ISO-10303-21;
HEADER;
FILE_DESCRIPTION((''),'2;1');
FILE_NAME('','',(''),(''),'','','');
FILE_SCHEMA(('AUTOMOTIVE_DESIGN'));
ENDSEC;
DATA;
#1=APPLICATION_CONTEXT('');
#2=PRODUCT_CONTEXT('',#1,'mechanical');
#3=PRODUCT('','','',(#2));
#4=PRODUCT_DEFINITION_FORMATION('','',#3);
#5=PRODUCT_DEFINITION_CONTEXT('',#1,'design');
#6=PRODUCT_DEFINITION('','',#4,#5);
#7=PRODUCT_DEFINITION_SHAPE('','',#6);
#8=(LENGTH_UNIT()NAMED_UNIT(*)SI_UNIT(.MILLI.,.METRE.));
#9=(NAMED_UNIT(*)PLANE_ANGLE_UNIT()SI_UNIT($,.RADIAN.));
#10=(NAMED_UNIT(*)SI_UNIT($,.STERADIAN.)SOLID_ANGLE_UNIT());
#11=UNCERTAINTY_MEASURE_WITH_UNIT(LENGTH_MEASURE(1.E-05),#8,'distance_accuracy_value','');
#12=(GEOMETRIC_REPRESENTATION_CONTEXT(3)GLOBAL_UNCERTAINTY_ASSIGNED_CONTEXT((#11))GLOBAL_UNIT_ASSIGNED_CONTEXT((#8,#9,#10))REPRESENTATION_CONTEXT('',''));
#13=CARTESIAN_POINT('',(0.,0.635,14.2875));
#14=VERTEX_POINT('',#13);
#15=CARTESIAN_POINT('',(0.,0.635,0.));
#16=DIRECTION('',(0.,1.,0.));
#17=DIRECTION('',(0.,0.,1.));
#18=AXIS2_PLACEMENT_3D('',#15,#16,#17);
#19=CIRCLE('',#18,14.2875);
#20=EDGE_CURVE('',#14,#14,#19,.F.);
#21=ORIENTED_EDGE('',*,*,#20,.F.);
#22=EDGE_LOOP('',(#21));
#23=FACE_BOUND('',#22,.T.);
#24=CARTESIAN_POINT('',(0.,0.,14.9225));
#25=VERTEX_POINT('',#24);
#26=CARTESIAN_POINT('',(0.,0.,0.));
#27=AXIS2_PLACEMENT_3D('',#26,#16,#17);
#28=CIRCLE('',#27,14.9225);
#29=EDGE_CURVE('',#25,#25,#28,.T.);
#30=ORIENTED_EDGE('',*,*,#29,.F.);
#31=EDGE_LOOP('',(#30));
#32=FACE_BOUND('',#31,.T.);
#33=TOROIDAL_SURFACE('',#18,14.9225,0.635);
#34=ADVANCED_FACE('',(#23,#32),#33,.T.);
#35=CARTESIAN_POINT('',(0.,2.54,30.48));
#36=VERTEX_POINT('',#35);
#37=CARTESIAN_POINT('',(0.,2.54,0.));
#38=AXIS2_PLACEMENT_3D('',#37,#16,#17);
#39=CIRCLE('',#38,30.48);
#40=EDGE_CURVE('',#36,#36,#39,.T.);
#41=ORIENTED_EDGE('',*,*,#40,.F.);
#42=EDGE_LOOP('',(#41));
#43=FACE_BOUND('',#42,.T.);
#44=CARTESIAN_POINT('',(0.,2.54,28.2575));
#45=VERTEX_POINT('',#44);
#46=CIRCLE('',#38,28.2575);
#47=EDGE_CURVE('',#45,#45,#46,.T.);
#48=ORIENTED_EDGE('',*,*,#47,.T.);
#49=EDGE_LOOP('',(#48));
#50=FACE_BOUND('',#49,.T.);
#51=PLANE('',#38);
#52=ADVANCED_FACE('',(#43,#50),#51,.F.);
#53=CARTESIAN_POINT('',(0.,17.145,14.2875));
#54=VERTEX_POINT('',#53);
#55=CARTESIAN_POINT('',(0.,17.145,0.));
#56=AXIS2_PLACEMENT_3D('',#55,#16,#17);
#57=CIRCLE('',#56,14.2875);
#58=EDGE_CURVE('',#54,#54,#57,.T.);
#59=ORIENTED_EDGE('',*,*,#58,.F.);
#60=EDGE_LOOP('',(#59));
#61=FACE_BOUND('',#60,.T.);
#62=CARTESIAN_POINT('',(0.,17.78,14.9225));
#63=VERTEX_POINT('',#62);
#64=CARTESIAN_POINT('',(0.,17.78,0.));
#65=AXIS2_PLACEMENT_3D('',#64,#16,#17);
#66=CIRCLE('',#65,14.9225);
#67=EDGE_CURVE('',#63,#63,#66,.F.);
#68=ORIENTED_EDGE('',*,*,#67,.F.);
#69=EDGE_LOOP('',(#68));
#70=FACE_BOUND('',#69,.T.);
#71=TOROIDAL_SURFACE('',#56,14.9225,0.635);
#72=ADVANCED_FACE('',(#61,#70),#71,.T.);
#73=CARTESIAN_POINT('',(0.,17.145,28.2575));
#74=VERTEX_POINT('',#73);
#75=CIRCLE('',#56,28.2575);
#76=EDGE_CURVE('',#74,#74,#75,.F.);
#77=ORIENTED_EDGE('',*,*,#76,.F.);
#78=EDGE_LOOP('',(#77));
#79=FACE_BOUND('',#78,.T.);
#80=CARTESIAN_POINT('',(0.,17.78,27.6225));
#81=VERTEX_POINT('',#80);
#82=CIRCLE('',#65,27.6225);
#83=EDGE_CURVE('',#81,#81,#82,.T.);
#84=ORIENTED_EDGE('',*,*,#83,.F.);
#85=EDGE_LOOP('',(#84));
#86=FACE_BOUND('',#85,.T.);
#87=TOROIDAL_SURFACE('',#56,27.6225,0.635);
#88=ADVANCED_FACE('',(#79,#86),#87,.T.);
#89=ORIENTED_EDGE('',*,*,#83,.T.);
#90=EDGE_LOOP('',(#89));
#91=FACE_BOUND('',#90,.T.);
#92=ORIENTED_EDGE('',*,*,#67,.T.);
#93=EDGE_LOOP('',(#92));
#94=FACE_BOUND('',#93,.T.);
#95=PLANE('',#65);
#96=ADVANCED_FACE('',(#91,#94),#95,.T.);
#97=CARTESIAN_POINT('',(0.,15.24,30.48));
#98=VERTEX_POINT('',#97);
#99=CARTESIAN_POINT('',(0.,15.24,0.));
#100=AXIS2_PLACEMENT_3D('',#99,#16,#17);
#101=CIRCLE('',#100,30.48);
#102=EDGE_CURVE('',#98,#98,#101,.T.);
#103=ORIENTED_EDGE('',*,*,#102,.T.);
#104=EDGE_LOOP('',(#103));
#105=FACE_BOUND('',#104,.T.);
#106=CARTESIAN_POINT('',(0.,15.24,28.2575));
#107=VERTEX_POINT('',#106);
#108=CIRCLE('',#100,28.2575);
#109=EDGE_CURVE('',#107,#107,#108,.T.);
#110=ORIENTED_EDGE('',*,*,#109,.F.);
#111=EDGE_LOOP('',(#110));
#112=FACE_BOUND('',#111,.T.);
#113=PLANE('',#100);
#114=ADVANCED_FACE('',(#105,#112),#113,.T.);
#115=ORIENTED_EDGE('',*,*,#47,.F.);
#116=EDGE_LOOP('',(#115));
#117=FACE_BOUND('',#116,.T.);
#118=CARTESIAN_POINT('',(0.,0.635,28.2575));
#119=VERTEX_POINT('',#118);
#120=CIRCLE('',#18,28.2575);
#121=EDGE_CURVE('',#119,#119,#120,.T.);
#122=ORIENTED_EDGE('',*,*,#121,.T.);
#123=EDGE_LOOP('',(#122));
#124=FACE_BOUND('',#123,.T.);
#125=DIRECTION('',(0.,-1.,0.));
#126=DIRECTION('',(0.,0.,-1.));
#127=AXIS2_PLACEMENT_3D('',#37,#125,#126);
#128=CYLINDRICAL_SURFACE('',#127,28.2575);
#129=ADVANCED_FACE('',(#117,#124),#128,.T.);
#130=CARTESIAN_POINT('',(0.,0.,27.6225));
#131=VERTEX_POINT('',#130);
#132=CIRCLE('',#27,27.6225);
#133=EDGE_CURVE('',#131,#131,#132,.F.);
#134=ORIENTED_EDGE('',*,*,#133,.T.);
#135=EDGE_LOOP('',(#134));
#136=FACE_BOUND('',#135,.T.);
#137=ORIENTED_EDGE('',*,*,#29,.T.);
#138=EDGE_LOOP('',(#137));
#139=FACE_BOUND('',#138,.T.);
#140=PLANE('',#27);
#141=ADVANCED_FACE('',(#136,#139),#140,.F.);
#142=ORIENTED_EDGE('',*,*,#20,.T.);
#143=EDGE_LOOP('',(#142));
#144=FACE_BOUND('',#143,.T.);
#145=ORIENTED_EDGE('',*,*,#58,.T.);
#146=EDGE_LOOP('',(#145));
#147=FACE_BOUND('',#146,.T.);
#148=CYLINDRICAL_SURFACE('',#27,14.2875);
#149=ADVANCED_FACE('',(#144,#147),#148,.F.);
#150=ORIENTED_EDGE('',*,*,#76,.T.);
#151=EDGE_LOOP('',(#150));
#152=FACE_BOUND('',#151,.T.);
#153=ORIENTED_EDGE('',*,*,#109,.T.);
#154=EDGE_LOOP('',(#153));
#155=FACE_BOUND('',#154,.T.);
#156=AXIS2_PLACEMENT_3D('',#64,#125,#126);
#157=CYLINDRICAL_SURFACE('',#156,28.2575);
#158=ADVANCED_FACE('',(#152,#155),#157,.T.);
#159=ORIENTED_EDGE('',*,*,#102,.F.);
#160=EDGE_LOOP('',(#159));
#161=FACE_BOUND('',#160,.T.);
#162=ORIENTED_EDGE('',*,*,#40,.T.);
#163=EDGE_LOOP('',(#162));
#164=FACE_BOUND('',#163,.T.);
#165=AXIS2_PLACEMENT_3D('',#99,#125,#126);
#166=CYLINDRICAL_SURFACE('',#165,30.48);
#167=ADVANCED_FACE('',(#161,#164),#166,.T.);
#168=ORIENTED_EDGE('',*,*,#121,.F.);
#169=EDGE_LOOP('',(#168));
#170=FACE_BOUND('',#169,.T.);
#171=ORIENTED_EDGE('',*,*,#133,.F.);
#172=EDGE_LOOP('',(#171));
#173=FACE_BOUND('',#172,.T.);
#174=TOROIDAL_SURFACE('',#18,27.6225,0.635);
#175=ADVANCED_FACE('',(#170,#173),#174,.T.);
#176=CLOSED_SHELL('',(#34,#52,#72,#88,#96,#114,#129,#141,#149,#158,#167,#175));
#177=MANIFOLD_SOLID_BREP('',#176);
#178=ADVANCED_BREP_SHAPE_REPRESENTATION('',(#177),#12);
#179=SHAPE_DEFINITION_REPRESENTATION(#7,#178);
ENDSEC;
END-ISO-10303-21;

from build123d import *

# Parameters (mm, degrees)
SKETCH1_R           = 28.2575
STEP_DEPTH          = 2.54
SKETCH2_R           = 30.48
BODY_DEPTH          = 12.7
SKETCH3_R           = 28.2575
BOSS_EXTRUDE3_DEPTH = 2.54
SKETCH4_R           = 14.2875
CUT_EXTRUDE1_DEPTH  = 18.78
FILLET1_R           = 0.635


with BuildPart() as part:
    # Sketch1 → Step (new body)
    with BuildSketch(Plane(origin=(0, 0, 0), x_dir=(1, 0, 0), z_dir=(0, 1, 0))):
        Circle(SKETCH1_R)
    extrude(amount=STEP_DEPTH)

    # Sketch2 → Body (add)
    with BuildSketch(Plane(origin=(0, 2.54, 0), x_dir=(1, 0, 0), z_dir=(0, 1, 0))):
        Circle(SKETCH2_R)
    extrude(amount=BODY_DEPTH)

    # Sketch3 → Boss-Extrude3 (add)
    with BuildSketch(Plane(origin=(0, 15.24, 0), x_dir=(1, 0, 0), z_dir=(0, 1, 0))):
        Circle(SKETCH3_R)
    extrude(amount=BOSS_EXTRUDE3_DEPTH)

    # Sketch4 → Cut-Extrude1 (cut, through all)
    with BuildSketch(Plane(origin=(0, 17.78, 0), x_dir=(1, 0, 0), z_dir=(0, 1, 0))):
        Circle(SKETCH4_R)
    extrude(amount=-CUT_EXTRUDE1_DEPTH, mode=Mode.SUBTRACT)

    # Fillet1
    fillet1_edges = [part.edges().sort_by_distance(p)[0] for p in [
        (-28.2575, 17.78, 0),
        (-14.2875, 0, 0),
        (-14.2875, 17.78, 0),
        (-28.2575, 0, 0),
    ]]
    fillet(fillet1_edges, radius=FILLET1_R)


solid = part.part
